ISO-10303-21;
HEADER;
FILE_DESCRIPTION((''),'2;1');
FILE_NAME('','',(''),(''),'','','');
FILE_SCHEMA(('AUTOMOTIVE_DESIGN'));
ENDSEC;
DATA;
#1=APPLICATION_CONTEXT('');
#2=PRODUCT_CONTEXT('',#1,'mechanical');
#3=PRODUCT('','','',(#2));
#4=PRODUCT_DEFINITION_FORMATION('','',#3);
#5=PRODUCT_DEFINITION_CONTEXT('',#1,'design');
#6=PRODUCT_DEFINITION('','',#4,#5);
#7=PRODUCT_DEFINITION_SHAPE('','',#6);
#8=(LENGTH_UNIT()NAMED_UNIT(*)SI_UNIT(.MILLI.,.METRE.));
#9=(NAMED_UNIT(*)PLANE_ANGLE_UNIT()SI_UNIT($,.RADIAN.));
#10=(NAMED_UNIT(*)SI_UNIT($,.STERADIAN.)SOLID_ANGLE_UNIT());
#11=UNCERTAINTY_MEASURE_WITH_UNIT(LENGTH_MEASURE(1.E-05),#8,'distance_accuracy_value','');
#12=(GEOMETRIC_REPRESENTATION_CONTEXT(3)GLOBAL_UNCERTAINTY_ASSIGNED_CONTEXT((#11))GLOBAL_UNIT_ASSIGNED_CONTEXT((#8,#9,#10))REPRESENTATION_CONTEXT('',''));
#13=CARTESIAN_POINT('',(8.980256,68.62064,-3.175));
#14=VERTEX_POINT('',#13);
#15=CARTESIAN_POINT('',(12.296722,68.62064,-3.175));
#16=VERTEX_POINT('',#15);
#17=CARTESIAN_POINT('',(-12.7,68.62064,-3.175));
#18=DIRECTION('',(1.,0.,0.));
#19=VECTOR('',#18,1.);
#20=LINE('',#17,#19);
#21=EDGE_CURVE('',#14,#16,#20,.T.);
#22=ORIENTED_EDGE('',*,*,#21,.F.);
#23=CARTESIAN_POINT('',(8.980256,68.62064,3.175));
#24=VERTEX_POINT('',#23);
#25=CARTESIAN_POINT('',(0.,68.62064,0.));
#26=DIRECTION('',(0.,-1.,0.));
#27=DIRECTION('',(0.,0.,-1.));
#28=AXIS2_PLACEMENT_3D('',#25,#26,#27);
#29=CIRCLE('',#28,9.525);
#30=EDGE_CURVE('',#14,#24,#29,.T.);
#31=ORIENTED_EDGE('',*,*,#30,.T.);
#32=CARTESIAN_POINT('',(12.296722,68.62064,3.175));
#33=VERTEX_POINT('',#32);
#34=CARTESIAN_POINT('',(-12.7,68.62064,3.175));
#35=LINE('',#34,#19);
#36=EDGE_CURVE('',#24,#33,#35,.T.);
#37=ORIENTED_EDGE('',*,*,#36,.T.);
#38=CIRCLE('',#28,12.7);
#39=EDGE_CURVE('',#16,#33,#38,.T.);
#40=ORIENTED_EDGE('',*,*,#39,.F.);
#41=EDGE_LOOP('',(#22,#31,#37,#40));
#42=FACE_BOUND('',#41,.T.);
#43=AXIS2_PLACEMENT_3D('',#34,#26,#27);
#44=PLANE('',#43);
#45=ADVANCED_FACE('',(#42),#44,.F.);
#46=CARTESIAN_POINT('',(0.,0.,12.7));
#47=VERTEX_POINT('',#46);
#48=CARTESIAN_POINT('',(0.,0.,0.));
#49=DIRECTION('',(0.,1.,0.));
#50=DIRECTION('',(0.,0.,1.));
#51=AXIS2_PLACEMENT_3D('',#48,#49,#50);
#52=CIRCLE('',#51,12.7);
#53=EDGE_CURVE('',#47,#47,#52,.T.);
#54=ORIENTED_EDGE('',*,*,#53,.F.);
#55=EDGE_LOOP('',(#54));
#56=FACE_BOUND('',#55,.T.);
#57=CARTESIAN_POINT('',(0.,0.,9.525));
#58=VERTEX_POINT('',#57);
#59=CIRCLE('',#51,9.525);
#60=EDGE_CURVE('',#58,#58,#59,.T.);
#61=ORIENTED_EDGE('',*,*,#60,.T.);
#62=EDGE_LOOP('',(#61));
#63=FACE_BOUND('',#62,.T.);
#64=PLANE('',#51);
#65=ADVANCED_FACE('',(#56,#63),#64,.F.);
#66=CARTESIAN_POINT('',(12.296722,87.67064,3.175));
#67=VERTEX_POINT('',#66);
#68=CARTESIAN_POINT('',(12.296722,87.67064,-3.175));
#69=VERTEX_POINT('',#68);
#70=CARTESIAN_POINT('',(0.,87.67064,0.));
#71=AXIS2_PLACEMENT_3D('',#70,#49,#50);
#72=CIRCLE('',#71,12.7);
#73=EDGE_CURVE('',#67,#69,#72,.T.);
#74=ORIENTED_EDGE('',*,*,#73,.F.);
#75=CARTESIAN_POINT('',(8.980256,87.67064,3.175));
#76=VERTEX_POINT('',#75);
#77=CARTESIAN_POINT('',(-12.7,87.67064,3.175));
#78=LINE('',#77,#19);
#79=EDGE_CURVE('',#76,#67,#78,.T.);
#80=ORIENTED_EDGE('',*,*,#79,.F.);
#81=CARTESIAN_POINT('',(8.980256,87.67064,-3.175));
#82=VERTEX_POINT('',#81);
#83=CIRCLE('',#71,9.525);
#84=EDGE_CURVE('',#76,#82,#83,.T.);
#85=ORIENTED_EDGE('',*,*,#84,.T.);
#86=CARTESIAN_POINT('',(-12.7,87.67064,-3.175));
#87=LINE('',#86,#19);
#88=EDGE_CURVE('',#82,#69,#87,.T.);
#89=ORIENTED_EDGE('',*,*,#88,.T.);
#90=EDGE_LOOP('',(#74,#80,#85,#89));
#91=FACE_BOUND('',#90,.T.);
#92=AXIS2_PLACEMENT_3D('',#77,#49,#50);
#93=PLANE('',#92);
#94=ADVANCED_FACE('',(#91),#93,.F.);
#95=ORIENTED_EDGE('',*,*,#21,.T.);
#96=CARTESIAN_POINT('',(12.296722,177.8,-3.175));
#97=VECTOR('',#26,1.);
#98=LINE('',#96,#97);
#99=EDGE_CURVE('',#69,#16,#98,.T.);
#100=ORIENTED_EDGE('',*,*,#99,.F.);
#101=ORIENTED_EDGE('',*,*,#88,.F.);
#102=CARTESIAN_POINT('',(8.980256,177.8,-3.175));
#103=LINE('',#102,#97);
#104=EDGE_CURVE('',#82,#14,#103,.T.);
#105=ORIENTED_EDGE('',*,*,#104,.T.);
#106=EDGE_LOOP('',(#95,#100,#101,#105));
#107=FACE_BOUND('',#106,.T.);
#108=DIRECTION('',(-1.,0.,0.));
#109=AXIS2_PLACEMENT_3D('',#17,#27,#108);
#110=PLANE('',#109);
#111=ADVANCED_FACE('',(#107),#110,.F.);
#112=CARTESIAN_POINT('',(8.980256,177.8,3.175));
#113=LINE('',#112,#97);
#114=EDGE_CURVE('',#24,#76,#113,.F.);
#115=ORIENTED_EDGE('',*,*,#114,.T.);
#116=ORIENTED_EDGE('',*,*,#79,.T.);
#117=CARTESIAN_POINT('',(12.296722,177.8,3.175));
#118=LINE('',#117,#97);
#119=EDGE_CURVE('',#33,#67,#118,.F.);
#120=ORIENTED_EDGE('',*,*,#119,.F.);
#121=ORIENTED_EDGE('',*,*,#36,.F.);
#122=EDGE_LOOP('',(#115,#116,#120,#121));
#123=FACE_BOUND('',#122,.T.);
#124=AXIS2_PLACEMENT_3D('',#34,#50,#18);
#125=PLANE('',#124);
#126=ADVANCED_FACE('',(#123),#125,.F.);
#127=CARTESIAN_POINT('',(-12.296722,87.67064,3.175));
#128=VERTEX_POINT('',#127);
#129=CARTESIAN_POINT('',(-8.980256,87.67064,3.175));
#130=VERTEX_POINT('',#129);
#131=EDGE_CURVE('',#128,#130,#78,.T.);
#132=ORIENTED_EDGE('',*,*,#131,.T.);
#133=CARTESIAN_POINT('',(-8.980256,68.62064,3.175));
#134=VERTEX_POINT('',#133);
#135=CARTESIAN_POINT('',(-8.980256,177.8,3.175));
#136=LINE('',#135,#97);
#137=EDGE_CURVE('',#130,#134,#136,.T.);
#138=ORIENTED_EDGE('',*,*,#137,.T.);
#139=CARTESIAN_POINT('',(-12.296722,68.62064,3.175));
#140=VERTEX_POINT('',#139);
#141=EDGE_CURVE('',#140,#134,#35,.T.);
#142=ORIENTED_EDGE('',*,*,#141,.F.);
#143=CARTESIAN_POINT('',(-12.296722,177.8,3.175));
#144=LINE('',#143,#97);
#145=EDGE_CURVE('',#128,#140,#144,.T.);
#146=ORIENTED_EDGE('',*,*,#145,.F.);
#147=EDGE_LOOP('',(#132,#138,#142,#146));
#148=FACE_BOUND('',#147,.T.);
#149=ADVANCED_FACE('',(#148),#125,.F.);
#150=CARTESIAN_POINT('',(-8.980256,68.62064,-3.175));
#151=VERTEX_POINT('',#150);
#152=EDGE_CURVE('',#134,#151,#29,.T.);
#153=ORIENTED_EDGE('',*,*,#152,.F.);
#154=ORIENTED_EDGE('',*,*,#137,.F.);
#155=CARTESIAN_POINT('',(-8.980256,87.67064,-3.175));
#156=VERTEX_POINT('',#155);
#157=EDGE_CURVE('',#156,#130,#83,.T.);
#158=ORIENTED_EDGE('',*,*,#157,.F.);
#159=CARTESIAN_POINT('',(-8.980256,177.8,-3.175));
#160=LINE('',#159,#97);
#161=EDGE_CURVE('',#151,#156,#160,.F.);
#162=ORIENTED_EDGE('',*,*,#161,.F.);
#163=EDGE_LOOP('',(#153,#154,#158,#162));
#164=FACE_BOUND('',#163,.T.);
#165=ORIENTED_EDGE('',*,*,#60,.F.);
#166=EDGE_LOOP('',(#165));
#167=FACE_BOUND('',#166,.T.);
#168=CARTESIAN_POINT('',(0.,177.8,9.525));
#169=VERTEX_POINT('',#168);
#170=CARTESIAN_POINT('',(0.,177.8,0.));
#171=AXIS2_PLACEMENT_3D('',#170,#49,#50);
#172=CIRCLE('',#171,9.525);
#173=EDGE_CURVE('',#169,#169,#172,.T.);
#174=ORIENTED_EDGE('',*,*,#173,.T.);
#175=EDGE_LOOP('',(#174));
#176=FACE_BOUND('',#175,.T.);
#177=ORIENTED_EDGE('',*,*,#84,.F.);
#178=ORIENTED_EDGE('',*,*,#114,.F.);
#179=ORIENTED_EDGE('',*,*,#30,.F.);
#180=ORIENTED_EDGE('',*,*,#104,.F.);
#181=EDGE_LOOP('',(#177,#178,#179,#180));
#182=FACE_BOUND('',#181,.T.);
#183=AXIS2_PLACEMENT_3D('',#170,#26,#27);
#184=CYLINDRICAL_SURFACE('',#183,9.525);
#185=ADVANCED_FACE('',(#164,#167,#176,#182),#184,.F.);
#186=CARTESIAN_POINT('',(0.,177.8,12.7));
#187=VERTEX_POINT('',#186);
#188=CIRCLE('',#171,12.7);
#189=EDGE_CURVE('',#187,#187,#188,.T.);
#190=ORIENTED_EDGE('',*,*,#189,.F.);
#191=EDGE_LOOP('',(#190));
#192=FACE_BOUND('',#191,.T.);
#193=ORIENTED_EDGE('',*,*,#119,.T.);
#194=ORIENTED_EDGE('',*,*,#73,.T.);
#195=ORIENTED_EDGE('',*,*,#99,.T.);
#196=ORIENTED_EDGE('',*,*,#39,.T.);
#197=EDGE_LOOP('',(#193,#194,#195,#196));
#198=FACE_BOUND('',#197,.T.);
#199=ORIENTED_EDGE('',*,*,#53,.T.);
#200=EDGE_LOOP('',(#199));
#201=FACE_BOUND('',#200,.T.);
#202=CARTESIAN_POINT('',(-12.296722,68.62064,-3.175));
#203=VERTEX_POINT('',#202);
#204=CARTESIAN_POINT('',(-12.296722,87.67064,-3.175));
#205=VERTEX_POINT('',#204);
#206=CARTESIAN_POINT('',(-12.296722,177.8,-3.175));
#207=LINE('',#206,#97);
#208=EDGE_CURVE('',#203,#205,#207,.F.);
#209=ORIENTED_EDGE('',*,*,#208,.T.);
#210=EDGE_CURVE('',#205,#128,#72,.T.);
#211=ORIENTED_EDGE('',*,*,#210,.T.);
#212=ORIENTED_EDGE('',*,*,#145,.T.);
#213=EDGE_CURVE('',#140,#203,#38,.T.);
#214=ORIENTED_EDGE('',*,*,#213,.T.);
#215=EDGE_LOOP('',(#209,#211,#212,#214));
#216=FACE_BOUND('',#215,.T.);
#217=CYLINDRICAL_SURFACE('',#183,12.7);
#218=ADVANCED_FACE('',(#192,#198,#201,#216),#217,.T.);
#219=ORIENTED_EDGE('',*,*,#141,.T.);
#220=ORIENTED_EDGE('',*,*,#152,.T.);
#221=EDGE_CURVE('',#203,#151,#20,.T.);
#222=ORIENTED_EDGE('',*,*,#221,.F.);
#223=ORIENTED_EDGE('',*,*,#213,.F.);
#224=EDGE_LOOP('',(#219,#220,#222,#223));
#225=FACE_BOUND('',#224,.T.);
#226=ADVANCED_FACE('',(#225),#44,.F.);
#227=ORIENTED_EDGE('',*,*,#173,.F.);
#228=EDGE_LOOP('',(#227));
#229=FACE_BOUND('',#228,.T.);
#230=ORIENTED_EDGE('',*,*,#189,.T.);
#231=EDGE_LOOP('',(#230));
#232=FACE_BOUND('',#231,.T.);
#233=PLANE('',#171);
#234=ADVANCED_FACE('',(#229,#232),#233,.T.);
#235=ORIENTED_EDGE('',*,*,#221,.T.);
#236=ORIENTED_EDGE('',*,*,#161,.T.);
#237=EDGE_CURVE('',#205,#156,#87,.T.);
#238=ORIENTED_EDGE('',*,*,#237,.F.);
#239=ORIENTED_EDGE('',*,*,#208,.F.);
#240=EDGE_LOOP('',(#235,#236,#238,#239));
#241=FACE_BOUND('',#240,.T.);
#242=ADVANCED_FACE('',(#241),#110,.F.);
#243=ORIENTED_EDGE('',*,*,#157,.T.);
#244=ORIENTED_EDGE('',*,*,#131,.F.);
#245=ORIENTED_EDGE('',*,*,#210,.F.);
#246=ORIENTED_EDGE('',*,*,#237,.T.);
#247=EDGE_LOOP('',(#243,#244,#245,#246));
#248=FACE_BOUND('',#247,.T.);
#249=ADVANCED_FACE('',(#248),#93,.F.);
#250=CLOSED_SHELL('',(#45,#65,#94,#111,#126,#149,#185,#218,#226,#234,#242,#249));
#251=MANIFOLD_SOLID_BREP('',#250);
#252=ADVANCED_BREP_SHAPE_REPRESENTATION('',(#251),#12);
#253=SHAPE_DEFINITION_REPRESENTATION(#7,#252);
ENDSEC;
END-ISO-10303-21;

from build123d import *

# Parameters (mm, degrees)
SKETCH1_R               = 12.7
SKETCH1_R_2             = 9.525
BOSS_EXTRUDE1_DEPTH     = 177.8
CUT_EXTRUDE1_DEPTH      = 179.704840449
CUT_EXTRUDE1_DEPTH_BACK = 179.704840449
SKETCH2_W               = 6.35
SKETCH2_H               = 19.05


with BuildPart() as part:
    # Sketch1 → Boss-Extrude1 (new body)
    with BuildSketch(Plane(origin=(0, 0, 0), x_dir=(1, 0, 0), z_dir=(0, 1, 0))):
        with Locations(Location((0, 0, 0), (0, 0, 270))):
            Circle(SKETCH1_R)
        with Locations(Location((0, 0, 0), (0, 0, 270))):
            Circle(SKETCH1_R_2, mode=Mode.SUBTRACT)
    extrude(amount=BOSS_EXTRUDE1_DEPTH)

    # Sketch2 → Cut-Extrude1 (cut, two sides: drawn at the far end of the back side and taken through both)
    with BuildSketch(Plane(origin=(0, 0, 0), x_dir=(0, 0, -1), z_dir=(1, 0, 0)).offset(-CUT_EXTRUDE1_DEPTH_BACK)):
        with Locations((0, 78.14564)):
            Rectangle(SKETCH2_W, SKETCH2_H)
    extrude(amount=CUT_EXTRUDE1_DEPTH + CUT_EXTRUDE1_DEPTH_BACK, mode=Mode.SUBTRACT)


solid = part.part
